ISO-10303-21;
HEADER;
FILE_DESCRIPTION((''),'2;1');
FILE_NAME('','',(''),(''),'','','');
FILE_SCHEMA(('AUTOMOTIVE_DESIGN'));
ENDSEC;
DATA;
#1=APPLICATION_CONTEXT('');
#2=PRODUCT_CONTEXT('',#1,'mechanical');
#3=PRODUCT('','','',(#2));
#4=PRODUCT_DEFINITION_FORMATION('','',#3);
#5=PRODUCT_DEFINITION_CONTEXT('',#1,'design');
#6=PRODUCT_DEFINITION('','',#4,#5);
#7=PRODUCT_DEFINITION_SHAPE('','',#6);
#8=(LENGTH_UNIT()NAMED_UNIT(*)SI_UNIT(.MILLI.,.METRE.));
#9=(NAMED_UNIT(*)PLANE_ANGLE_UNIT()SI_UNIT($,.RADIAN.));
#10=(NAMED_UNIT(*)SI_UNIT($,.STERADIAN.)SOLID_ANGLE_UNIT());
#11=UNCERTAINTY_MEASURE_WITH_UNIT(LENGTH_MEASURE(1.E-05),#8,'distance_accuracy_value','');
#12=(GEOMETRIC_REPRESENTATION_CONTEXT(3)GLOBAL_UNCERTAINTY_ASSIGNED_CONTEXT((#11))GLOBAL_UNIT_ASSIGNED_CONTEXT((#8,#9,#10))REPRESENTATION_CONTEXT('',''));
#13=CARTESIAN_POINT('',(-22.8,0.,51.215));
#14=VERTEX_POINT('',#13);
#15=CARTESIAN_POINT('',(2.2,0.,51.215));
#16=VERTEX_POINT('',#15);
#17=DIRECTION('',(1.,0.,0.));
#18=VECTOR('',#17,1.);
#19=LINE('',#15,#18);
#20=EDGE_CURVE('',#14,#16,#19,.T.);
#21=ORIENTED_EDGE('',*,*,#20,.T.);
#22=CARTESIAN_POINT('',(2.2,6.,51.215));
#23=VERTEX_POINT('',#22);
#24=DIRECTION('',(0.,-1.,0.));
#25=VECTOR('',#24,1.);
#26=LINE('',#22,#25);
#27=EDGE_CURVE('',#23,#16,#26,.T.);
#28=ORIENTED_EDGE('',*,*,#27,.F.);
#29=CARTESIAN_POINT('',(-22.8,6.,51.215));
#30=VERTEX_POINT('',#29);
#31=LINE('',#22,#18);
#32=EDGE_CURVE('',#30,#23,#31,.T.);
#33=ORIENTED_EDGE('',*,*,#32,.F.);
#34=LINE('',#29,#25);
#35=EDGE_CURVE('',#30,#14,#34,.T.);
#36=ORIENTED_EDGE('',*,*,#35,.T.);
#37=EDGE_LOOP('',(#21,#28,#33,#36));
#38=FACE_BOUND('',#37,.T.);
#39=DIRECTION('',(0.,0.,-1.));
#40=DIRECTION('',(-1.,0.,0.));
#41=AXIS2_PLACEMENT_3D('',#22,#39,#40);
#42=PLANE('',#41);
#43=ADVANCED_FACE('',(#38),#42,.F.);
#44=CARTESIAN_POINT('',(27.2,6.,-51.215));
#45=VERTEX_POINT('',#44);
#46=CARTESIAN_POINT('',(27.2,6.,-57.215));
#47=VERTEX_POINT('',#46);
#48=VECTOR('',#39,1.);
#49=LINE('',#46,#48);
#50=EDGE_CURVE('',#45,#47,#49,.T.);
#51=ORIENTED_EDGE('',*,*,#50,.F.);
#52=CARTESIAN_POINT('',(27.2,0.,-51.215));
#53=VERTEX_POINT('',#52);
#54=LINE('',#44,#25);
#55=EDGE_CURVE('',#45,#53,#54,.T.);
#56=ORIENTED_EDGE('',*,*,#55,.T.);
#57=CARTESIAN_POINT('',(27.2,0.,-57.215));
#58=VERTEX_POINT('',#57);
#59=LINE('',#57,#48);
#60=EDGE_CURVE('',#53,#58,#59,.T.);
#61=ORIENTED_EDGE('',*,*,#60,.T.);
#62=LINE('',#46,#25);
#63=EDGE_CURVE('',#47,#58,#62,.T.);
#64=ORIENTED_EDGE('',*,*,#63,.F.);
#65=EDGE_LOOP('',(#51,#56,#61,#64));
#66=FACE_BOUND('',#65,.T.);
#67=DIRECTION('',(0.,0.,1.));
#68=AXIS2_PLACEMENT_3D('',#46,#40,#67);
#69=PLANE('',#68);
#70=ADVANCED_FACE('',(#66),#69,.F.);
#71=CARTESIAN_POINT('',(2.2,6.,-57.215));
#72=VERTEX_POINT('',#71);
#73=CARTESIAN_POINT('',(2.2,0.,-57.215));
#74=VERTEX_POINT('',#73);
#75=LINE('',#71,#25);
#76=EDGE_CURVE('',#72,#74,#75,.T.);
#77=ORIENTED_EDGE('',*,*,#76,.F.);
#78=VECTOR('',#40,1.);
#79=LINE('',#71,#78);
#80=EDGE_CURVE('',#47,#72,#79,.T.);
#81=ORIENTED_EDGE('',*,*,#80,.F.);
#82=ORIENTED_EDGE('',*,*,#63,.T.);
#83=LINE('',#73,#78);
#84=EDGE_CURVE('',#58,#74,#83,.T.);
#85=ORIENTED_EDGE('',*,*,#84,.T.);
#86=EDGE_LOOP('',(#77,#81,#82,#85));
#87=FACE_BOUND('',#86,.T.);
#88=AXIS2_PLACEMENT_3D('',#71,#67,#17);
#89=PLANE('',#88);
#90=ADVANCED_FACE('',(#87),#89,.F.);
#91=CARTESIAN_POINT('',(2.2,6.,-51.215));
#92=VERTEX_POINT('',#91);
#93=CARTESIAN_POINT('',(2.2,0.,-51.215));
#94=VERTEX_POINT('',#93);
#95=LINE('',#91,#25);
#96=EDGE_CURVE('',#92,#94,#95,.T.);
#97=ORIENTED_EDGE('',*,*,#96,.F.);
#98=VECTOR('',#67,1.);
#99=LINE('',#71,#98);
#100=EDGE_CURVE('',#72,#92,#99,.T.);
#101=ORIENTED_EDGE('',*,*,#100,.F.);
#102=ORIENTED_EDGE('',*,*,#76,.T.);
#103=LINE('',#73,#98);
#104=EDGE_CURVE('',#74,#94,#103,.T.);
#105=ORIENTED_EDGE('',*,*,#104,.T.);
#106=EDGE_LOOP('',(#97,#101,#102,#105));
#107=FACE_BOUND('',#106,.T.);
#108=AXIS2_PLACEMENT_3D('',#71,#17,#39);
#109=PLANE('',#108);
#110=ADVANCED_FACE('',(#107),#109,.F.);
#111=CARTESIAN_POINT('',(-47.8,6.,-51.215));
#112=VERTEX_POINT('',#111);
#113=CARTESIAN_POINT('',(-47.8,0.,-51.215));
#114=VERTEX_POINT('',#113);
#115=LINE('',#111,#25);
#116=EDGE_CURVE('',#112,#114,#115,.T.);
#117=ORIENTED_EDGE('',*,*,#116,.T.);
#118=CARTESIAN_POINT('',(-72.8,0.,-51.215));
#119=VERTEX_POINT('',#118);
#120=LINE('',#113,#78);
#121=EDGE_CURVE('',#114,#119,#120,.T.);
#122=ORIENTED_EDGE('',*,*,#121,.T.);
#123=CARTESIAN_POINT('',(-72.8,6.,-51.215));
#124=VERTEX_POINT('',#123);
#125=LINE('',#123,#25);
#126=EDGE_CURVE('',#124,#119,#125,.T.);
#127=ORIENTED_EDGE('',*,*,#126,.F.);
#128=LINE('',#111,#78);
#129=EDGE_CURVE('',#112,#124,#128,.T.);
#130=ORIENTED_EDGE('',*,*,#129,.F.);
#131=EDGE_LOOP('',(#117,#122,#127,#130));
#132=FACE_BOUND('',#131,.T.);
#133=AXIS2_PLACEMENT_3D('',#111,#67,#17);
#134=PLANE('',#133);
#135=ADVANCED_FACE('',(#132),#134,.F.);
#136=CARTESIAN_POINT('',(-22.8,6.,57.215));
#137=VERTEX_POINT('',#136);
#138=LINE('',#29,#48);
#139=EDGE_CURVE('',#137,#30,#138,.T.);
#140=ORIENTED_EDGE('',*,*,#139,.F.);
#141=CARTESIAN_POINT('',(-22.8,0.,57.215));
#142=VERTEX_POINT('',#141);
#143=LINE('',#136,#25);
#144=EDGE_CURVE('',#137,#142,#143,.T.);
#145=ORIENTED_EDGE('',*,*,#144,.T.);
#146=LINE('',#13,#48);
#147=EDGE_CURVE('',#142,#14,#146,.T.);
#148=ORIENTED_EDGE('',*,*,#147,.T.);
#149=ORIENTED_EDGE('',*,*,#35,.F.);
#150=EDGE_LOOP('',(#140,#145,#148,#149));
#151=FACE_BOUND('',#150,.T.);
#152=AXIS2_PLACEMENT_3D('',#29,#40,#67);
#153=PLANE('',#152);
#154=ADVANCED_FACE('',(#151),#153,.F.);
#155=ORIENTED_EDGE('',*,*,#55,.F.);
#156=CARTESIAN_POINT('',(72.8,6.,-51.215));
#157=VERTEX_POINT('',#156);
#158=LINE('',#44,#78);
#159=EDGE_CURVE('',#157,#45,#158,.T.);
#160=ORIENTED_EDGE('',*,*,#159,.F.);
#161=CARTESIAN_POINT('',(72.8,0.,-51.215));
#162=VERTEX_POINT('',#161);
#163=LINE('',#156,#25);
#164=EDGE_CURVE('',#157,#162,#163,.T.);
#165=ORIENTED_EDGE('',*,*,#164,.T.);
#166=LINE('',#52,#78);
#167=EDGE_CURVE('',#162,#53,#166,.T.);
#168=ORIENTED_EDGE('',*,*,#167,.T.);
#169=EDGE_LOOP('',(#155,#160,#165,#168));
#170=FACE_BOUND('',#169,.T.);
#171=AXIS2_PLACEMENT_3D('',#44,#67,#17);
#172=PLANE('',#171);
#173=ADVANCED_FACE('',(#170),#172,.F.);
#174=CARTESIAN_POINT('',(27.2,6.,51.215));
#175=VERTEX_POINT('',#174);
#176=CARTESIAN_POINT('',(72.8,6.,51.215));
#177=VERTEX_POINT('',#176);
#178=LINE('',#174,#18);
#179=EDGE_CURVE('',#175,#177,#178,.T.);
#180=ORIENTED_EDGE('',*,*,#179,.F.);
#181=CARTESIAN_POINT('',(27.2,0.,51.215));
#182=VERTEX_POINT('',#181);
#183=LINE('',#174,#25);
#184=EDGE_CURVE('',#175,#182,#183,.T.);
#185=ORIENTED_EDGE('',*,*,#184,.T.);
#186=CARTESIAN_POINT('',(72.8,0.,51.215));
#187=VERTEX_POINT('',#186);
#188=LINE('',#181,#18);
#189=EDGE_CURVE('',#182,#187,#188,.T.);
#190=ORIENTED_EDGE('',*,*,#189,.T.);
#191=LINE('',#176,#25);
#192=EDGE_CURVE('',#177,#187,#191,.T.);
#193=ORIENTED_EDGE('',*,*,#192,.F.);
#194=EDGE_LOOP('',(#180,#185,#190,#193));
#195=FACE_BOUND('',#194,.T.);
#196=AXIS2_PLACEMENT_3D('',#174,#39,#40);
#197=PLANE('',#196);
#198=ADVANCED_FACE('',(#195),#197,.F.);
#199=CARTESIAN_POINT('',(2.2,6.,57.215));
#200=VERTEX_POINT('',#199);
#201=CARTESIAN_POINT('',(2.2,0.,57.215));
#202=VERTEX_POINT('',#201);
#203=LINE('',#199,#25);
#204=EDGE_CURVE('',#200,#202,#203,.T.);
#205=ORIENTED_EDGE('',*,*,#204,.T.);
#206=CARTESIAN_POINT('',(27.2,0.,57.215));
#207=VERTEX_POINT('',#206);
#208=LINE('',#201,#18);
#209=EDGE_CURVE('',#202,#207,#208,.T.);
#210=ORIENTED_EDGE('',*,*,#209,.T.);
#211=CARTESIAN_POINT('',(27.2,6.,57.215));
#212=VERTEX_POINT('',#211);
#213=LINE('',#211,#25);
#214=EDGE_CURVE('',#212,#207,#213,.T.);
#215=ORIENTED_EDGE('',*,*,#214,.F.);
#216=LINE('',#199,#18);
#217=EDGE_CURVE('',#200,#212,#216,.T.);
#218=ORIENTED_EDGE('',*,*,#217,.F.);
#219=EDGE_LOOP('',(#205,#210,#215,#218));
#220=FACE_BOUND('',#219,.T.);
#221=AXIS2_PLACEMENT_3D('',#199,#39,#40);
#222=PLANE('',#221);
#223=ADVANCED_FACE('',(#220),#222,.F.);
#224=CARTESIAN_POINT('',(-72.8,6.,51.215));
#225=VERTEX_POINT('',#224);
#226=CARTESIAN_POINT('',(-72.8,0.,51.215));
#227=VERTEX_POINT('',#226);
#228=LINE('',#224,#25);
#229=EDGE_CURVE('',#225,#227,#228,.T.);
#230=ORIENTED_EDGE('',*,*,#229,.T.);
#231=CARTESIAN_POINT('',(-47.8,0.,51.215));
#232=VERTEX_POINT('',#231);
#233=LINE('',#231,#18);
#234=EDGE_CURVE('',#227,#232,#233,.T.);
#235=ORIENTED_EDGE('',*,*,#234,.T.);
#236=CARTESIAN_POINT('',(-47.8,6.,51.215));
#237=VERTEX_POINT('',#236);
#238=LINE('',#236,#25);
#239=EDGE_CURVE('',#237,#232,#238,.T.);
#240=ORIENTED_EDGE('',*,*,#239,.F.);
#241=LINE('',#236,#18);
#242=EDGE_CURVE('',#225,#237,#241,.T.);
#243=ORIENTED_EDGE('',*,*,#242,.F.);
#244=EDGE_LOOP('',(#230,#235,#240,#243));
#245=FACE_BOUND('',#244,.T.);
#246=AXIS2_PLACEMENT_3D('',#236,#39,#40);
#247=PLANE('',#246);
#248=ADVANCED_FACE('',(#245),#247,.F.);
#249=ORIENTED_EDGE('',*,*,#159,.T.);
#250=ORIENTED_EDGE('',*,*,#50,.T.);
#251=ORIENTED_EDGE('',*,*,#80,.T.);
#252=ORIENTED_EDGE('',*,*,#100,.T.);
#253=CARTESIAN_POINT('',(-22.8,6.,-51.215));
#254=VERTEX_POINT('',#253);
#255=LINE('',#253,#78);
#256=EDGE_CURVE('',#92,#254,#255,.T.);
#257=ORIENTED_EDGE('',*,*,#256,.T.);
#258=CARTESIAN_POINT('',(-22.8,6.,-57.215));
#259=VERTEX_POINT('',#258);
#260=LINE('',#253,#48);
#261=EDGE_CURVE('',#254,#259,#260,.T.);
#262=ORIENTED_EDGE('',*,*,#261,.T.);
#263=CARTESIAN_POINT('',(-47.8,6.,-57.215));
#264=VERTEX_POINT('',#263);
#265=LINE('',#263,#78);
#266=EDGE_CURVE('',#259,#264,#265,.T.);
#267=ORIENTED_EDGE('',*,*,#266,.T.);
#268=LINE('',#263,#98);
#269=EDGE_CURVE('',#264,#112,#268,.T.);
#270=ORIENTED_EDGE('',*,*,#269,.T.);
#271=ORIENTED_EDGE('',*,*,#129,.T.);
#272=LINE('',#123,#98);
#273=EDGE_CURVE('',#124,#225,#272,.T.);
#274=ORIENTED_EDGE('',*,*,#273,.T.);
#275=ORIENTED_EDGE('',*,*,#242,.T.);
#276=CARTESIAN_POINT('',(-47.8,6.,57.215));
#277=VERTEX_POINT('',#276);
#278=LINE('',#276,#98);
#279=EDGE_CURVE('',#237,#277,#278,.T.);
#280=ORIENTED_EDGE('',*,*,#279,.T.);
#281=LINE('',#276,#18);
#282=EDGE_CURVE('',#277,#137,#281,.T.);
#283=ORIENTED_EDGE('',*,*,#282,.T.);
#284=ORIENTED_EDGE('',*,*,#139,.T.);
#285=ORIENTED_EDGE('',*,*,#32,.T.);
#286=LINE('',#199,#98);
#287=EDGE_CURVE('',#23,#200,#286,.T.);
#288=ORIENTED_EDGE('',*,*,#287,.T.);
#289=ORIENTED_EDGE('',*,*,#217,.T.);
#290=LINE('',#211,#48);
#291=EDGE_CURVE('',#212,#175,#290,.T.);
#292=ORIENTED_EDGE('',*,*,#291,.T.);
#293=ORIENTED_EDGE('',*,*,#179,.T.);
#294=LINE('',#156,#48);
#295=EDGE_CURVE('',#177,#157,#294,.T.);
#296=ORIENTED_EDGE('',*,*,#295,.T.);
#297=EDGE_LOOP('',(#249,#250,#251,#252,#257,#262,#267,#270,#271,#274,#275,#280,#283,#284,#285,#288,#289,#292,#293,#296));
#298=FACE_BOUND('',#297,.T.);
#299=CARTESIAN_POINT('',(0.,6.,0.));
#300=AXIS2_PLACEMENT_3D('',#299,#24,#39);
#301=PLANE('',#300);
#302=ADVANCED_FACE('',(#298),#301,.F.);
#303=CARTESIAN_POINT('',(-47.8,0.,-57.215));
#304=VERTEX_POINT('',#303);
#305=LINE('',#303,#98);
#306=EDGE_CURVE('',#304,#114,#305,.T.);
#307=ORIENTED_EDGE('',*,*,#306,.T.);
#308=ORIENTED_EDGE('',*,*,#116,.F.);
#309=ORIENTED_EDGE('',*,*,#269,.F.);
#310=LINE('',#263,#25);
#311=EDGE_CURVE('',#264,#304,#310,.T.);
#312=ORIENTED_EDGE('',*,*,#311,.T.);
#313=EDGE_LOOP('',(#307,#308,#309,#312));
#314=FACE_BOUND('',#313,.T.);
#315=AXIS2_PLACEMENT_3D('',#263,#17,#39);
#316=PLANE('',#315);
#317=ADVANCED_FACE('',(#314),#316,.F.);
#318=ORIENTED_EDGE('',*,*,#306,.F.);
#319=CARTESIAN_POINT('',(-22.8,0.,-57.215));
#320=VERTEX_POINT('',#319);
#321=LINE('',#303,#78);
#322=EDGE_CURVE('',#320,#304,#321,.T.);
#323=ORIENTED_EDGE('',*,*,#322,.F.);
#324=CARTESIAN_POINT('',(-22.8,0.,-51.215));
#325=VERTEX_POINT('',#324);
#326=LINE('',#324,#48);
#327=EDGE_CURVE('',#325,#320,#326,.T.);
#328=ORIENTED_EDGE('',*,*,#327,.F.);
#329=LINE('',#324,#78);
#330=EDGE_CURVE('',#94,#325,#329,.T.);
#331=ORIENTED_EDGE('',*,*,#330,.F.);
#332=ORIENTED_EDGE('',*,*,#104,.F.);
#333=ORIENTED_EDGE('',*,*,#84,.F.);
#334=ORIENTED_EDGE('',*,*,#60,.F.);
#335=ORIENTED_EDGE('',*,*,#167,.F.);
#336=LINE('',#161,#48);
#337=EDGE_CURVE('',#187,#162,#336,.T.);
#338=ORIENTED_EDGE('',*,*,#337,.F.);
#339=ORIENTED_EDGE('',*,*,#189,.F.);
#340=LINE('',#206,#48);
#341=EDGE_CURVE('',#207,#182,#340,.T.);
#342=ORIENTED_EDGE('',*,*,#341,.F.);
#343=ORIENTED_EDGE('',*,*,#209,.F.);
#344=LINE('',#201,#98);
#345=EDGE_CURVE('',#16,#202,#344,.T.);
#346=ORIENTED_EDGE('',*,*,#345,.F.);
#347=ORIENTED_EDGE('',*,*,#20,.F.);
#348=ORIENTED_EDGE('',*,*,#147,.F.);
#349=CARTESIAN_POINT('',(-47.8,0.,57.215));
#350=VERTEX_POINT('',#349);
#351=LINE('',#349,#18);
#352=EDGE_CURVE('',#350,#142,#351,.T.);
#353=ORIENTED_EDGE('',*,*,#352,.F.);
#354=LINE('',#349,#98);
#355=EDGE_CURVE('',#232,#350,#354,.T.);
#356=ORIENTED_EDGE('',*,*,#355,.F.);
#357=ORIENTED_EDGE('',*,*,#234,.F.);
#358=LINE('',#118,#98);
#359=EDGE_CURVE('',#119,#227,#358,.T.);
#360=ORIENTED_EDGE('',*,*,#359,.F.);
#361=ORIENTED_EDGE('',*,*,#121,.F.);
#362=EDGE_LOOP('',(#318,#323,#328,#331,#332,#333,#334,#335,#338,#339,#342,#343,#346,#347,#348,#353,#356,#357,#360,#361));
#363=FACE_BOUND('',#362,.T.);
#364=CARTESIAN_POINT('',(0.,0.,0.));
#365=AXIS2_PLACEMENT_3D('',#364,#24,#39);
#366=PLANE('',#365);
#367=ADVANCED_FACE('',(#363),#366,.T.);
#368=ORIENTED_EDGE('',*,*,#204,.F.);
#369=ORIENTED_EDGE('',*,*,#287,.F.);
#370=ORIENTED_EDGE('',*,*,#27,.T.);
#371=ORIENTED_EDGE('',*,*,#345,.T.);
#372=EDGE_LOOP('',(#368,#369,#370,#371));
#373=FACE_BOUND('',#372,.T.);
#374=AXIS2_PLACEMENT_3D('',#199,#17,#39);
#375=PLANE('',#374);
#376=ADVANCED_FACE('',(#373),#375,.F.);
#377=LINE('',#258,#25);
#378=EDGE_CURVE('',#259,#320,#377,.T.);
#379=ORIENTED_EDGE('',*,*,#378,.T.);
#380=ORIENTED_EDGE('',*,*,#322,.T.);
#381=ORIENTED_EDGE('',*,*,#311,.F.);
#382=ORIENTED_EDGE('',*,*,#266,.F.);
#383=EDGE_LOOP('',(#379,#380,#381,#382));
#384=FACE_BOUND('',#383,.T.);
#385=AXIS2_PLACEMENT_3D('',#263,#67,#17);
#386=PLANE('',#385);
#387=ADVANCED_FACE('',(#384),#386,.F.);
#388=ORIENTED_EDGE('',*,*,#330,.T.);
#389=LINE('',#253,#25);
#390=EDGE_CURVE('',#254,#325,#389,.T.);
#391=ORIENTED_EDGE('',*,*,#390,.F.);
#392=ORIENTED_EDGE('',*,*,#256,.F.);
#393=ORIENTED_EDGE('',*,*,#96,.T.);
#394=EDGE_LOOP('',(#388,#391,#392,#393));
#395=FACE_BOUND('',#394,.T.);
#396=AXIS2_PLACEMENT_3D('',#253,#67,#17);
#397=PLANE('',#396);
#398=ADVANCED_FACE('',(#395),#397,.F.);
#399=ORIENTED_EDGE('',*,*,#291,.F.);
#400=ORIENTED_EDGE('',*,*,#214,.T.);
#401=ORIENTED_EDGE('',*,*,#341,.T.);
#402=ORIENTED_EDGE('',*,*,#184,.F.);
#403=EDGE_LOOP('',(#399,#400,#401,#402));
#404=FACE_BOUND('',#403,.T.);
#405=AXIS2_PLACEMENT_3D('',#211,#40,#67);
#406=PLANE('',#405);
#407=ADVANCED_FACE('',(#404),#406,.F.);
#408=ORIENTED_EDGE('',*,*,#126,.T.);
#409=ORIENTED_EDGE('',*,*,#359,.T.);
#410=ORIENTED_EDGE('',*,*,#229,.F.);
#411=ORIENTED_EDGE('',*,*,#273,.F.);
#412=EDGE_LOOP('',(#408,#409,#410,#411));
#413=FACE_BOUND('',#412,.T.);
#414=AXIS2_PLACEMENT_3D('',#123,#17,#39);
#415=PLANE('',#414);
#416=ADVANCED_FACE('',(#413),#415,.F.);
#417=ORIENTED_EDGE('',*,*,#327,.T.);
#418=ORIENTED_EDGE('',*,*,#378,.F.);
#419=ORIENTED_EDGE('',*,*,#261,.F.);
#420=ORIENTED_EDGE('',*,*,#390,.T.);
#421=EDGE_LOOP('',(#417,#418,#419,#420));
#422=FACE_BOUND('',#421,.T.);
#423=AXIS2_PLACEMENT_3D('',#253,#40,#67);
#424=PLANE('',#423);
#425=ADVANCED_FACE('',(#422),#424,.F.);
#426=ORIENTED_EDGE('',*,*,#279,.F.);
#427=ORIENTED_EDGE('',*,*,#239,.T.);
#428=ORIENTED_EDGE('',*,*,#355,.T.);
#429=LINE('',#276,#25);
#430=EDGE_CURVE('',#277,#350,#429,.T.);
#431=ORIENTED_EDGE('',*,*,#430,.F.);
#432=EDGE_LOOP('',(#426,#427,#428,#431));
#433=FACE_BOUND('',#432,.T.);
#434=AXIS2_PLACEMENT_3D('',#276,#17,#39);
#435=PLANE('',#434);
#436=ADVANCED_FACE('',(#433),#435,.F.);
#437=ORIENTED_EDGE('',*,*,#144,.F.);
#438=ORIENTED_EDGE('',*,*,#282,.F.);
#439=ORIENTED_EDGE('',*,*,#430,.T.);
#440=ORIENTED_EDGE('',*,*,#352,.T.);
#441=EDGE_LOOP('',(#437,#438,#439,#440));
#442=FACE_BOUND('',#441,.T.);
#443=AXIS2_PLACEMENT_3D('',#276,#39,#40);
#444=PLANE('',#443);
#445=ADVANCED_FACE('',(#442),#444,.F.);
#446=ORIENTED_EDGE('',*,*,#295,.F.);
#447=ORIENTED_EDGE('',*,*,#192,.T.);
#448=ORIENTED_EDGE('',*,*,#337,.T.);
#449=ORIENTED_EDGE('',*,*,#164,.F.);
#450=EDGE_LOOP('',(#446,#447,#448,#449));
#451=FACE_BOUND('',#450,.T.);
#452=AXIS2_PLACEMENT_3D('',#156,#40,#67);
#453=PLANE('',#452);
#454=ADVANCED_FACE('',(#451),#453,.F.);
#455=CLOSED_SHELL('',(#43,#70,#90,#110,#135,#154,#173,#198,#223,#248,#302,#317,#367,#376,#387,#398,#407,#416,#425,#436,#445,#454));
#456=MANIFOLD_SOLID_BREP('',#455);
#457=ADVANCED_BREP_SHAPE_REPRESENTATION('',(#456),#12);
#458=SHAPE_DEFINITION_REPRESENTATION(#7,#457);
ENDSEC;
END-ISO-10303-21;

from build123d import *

# Parameters (mm, degrees)
EXTRUDE_1_DEPTH = 6


with BuildPart() as part:
    # Эскиз1 → Бобышка-Вытянуть1 (new body)
    with BuildSketch(Plane(origin=(0, 0, 0), x_dir=(1, 0, 0), z_dir=(0, 1, 0))):
        Polygon((27.2, -57.215), (27.2, -51.215), (72.8, -51.215), (72.8, 51.215), (27.2, 51.215), (27.2, 57.215), (2.2, 57.215), (2.2, 51.215), (-22.8, 51.215), (-22.8, 57.215), (-47.8, 57.215), (-47.8, 51.215), (-72.8, 51.215), (-72.8, -51.215), (-47.8, -51.215), (-47.8, -57.215), (-22.8, -57.215), (-22.8, -51.215), (2.2, -51.215), (2.2, -57.215), align=None)
    extrude(amount=EXTRUDE_1_DEPTH)


solid = part.part
